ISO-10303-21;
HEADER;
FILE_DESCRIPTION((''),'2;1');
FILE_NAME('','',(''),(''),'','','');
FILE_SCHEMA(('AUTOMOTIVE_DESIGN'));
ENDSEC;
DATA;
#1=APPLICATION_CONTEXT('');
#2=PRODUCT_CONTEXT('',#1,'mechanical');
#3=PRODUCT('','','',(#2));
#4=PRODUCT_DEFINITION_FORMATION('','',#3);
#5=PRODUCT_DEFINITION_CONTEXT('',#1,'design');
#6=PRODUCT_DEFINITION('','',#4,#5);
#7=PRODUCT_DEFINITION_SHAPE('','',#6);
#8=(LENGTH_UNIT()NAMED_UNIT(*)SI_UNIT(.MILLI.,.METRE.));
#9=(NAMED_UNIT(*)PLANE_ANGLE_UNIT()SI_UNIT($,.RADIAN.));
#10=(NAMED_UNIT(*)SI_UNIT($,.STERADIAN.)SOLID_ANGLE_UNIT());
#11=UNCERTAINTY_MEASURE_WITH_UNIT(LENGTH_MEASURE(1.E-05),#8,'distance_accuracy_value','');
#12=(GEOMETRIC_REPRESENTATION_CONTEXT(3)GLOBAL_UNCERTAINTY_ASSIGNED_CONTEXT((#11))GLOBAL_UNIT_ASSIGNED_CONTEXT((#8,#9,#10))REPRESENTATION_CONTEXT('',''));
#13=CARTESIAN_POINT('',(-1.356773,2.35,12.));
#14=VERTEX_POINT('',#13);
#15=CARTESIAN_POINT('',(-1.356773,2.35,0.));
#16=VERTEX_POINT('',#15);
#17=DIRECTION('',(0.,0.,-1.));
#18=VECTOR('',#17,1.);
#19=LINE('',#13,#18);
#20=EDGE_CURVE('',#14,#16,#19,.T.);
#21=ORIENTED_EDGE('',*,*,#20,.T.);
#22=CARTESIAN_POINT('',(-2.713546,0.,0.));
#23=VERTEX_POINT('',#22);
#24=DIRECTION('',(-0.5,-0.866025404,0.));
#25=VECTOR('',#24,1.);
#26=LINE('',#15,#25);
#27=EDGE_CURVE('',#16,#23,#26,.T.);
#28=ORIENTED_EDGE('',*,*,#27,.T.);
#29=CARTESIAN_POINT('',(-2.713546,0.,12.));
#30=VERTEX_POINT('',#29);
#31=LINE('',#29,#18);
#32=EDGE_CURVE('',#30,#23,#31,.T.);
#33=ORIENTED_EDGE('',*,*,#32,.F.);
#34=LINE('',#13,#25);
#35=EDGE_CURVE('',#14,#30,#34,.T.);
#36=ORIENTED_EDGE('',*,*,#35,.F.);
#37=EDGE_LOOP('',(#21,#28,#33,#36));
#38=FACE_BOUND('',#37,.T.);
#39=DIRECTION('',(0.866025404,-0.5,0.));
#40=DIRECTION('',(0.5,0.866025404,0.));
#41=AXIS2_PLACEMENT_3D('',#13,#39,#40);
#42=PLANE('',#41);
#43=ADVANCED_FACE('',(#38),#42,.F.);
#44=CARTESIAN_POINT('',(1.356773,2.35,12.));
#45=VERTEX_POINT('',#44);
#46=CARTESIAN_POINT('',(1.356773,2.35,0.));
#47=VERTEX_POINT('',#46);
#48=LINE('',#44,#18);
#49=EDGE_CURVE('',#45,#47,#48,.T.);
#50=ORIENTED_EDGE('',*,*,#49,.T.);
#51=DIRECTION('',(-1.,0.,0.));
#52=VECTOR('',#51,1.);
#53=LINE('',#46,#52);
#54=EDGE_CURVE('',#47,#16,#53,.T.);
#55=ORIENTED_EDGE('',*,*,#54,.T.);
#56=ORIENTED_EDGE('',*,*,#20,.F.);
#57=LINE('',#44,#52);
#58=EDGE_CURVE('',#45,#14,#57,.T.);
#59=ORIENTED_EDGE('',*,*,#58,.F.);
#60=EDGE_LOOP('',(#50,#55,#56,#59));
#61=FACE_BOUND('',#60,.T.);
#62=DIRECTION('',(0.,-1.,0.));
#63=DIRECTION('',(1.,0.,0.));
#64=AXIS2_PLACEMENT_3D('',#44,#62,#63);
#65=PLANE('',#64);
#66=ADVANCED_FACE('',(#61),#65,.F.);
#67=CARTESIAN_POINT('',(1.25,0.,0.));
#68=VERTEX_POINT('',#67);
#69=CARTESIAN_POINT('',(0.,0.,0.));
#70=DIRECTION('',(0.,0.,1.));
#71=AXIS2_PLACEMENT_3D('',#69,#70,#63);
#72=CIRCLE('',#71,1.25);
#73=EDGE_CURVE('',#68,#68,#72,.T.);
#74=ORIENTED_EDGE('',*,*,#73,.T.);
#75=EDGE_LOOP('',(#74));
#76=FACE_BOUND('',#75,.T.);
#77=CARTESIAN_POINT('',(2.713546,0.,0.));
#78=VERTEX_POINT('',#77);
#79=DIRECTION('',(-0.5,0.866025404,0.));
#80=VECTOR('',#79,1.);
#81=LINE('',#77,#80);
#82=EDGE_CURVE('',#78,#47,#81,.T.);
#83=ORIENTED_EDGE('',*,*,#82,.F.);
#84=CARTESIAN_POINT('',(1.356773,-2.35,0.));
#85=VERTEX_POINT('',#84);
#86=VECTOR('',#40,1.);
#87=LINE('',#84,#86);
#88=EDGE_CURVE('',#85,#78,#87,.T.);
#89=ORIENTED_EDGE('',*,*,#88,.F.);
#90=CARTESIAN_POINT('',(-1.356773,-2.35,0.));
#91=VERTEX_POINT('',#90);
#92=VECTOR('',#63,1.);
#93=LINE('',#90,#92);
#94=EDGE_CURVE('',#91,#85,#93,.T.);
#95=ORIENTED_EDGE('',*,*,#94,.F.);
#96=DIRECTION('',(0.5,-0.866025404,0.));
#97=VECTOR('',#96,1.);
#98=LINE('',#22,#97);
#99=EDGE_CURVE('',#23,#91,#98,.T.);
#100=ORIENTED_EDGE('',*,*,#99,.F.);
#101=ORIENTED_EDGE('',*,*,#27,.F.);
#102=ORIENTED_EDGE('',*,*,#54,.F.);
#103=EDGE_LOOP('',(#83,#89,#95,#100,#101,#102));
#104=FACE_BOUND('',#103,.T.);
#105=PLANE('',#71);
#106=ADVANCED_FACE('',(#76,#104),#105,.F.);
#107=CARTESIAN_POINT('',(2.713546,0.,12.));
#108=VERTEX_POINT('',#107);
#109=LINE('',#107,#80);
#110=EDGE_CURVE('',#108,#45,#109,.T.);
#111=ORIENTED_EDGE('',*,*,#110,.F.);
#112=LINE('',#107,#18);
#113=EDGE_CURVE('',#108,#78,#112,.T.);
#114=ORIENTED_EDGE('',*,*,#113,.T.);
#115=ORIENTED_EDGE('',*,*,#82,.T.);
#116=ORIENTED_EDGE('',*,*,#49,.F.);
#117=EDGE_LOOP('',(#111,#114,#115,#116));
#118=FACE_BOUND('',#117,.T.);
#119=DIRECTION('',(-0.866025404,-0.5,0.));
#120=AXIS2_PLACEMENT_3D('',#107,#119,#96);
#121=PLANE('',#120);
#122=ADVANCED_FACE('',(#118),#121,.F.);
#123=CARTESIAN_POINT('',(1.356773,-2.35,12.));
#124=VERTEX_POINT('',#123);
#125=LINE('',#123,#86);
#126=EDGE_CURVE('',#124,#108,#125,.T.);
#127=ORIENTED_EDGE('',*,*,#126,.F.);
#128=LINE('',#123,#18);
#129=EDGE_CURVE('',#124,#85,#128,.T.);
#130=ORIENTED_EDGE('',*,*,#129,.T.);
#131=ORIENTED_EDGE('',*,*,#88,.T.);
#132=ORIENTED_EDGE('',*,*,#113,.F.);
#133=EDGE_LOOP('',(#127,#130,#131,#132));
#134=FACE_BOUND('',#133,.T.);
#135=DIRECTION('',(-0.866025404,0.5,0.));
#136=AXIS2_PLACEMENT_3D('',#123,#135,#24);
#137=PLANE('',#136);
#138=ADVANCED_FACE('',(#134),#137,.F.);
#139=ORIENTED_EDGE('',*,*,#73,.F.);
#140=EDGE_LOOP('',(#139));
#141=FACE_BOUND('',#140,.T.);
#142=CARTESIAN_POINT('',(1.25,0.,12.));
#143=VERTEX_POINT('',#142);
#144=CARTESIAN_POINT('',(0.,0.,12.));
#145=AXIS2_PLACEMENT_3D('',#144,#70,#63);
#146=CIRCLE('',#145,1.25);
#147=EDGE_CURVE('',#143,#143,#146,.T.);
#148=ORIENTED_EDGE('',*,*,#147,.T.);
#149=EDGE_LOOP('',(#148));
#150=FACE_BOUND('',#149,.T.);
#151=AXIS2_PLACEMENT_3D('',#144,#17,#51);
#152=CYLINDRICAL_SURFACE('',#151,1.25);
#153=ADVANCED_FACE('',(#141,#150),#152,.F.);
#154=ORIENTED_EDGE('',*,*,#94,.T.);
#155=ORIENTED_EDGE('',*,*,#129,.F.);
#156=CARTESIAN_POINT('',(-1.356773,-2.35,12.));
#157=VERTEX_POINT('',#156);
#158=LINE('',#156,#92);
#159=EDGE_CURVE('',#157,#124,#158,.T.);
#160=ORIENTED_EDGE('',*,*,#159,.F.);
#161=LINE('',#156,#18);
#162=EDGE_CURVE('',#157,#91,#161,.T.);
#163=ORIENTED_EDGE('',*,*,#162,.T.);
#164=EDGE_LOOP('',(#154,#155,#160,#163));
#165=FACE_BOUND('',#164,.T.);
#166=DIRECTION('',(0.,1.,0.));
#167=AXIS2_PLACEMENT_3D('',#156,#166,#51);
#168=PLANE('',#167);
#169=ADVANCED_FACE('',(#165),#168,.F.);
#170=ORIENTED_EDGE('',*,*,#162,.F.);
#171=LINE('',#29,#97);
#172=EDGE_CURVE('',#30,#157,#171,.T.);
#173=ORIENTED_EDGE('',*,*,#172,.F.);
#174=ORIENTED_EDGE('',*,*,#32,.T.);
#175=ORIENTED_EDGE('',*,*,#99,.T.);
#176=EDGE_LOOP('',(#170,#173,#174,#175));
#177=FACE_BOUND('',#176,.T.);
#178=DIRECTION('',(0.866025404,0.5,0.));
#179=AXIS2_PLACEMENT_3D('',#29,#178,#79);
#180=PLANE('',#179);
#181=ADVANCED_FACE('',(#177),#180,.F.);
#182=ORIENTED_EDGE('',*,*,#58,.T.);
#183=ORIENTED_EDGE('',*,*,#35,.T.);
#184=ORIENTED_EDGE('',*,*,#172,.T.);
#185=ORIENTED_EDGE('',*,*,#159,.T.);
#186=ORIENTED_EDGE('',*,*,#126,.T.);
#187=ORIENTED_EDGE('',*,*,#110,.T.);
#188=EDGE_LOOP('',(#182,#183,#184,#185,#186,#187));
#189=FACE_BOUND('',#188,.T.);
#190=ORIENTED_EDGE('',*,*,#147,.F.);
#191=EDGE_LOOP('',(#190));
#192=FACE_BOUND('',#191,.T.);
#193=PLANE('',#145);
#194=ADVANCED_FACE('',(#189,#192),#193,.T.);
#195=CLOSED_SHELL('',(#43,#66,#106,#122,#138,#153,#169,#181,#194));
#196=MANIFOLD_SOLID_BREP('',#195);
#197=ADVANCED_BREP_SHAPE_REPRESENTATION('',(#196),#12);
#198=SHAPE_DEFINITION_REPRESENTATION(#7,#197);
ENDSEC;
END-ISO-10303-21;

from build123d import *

# Parameters (mm, degrees)
SKETCH1_R           = 1.25
BOSS_EXTRUDE1_DEPTH = 12


with BuildPart() as part:
    # Sketch1 → Boss-Extrude1 (new body)
    with BuildSketch(Plane.XY):
        Polygon((2.713546265, 0), (1.356773133, 2.35), (-1.356773133, 2.35), (-2.713546265, 0), (-1.356773133, -2.35), (1.356773133, -2.35), align=None)
        Circle(SKETCH1_R, mode=Mode.SUBTRACT)
    extrude(amount=BOSS_EXTRUDE1_DEPTH)


solid = part.part
